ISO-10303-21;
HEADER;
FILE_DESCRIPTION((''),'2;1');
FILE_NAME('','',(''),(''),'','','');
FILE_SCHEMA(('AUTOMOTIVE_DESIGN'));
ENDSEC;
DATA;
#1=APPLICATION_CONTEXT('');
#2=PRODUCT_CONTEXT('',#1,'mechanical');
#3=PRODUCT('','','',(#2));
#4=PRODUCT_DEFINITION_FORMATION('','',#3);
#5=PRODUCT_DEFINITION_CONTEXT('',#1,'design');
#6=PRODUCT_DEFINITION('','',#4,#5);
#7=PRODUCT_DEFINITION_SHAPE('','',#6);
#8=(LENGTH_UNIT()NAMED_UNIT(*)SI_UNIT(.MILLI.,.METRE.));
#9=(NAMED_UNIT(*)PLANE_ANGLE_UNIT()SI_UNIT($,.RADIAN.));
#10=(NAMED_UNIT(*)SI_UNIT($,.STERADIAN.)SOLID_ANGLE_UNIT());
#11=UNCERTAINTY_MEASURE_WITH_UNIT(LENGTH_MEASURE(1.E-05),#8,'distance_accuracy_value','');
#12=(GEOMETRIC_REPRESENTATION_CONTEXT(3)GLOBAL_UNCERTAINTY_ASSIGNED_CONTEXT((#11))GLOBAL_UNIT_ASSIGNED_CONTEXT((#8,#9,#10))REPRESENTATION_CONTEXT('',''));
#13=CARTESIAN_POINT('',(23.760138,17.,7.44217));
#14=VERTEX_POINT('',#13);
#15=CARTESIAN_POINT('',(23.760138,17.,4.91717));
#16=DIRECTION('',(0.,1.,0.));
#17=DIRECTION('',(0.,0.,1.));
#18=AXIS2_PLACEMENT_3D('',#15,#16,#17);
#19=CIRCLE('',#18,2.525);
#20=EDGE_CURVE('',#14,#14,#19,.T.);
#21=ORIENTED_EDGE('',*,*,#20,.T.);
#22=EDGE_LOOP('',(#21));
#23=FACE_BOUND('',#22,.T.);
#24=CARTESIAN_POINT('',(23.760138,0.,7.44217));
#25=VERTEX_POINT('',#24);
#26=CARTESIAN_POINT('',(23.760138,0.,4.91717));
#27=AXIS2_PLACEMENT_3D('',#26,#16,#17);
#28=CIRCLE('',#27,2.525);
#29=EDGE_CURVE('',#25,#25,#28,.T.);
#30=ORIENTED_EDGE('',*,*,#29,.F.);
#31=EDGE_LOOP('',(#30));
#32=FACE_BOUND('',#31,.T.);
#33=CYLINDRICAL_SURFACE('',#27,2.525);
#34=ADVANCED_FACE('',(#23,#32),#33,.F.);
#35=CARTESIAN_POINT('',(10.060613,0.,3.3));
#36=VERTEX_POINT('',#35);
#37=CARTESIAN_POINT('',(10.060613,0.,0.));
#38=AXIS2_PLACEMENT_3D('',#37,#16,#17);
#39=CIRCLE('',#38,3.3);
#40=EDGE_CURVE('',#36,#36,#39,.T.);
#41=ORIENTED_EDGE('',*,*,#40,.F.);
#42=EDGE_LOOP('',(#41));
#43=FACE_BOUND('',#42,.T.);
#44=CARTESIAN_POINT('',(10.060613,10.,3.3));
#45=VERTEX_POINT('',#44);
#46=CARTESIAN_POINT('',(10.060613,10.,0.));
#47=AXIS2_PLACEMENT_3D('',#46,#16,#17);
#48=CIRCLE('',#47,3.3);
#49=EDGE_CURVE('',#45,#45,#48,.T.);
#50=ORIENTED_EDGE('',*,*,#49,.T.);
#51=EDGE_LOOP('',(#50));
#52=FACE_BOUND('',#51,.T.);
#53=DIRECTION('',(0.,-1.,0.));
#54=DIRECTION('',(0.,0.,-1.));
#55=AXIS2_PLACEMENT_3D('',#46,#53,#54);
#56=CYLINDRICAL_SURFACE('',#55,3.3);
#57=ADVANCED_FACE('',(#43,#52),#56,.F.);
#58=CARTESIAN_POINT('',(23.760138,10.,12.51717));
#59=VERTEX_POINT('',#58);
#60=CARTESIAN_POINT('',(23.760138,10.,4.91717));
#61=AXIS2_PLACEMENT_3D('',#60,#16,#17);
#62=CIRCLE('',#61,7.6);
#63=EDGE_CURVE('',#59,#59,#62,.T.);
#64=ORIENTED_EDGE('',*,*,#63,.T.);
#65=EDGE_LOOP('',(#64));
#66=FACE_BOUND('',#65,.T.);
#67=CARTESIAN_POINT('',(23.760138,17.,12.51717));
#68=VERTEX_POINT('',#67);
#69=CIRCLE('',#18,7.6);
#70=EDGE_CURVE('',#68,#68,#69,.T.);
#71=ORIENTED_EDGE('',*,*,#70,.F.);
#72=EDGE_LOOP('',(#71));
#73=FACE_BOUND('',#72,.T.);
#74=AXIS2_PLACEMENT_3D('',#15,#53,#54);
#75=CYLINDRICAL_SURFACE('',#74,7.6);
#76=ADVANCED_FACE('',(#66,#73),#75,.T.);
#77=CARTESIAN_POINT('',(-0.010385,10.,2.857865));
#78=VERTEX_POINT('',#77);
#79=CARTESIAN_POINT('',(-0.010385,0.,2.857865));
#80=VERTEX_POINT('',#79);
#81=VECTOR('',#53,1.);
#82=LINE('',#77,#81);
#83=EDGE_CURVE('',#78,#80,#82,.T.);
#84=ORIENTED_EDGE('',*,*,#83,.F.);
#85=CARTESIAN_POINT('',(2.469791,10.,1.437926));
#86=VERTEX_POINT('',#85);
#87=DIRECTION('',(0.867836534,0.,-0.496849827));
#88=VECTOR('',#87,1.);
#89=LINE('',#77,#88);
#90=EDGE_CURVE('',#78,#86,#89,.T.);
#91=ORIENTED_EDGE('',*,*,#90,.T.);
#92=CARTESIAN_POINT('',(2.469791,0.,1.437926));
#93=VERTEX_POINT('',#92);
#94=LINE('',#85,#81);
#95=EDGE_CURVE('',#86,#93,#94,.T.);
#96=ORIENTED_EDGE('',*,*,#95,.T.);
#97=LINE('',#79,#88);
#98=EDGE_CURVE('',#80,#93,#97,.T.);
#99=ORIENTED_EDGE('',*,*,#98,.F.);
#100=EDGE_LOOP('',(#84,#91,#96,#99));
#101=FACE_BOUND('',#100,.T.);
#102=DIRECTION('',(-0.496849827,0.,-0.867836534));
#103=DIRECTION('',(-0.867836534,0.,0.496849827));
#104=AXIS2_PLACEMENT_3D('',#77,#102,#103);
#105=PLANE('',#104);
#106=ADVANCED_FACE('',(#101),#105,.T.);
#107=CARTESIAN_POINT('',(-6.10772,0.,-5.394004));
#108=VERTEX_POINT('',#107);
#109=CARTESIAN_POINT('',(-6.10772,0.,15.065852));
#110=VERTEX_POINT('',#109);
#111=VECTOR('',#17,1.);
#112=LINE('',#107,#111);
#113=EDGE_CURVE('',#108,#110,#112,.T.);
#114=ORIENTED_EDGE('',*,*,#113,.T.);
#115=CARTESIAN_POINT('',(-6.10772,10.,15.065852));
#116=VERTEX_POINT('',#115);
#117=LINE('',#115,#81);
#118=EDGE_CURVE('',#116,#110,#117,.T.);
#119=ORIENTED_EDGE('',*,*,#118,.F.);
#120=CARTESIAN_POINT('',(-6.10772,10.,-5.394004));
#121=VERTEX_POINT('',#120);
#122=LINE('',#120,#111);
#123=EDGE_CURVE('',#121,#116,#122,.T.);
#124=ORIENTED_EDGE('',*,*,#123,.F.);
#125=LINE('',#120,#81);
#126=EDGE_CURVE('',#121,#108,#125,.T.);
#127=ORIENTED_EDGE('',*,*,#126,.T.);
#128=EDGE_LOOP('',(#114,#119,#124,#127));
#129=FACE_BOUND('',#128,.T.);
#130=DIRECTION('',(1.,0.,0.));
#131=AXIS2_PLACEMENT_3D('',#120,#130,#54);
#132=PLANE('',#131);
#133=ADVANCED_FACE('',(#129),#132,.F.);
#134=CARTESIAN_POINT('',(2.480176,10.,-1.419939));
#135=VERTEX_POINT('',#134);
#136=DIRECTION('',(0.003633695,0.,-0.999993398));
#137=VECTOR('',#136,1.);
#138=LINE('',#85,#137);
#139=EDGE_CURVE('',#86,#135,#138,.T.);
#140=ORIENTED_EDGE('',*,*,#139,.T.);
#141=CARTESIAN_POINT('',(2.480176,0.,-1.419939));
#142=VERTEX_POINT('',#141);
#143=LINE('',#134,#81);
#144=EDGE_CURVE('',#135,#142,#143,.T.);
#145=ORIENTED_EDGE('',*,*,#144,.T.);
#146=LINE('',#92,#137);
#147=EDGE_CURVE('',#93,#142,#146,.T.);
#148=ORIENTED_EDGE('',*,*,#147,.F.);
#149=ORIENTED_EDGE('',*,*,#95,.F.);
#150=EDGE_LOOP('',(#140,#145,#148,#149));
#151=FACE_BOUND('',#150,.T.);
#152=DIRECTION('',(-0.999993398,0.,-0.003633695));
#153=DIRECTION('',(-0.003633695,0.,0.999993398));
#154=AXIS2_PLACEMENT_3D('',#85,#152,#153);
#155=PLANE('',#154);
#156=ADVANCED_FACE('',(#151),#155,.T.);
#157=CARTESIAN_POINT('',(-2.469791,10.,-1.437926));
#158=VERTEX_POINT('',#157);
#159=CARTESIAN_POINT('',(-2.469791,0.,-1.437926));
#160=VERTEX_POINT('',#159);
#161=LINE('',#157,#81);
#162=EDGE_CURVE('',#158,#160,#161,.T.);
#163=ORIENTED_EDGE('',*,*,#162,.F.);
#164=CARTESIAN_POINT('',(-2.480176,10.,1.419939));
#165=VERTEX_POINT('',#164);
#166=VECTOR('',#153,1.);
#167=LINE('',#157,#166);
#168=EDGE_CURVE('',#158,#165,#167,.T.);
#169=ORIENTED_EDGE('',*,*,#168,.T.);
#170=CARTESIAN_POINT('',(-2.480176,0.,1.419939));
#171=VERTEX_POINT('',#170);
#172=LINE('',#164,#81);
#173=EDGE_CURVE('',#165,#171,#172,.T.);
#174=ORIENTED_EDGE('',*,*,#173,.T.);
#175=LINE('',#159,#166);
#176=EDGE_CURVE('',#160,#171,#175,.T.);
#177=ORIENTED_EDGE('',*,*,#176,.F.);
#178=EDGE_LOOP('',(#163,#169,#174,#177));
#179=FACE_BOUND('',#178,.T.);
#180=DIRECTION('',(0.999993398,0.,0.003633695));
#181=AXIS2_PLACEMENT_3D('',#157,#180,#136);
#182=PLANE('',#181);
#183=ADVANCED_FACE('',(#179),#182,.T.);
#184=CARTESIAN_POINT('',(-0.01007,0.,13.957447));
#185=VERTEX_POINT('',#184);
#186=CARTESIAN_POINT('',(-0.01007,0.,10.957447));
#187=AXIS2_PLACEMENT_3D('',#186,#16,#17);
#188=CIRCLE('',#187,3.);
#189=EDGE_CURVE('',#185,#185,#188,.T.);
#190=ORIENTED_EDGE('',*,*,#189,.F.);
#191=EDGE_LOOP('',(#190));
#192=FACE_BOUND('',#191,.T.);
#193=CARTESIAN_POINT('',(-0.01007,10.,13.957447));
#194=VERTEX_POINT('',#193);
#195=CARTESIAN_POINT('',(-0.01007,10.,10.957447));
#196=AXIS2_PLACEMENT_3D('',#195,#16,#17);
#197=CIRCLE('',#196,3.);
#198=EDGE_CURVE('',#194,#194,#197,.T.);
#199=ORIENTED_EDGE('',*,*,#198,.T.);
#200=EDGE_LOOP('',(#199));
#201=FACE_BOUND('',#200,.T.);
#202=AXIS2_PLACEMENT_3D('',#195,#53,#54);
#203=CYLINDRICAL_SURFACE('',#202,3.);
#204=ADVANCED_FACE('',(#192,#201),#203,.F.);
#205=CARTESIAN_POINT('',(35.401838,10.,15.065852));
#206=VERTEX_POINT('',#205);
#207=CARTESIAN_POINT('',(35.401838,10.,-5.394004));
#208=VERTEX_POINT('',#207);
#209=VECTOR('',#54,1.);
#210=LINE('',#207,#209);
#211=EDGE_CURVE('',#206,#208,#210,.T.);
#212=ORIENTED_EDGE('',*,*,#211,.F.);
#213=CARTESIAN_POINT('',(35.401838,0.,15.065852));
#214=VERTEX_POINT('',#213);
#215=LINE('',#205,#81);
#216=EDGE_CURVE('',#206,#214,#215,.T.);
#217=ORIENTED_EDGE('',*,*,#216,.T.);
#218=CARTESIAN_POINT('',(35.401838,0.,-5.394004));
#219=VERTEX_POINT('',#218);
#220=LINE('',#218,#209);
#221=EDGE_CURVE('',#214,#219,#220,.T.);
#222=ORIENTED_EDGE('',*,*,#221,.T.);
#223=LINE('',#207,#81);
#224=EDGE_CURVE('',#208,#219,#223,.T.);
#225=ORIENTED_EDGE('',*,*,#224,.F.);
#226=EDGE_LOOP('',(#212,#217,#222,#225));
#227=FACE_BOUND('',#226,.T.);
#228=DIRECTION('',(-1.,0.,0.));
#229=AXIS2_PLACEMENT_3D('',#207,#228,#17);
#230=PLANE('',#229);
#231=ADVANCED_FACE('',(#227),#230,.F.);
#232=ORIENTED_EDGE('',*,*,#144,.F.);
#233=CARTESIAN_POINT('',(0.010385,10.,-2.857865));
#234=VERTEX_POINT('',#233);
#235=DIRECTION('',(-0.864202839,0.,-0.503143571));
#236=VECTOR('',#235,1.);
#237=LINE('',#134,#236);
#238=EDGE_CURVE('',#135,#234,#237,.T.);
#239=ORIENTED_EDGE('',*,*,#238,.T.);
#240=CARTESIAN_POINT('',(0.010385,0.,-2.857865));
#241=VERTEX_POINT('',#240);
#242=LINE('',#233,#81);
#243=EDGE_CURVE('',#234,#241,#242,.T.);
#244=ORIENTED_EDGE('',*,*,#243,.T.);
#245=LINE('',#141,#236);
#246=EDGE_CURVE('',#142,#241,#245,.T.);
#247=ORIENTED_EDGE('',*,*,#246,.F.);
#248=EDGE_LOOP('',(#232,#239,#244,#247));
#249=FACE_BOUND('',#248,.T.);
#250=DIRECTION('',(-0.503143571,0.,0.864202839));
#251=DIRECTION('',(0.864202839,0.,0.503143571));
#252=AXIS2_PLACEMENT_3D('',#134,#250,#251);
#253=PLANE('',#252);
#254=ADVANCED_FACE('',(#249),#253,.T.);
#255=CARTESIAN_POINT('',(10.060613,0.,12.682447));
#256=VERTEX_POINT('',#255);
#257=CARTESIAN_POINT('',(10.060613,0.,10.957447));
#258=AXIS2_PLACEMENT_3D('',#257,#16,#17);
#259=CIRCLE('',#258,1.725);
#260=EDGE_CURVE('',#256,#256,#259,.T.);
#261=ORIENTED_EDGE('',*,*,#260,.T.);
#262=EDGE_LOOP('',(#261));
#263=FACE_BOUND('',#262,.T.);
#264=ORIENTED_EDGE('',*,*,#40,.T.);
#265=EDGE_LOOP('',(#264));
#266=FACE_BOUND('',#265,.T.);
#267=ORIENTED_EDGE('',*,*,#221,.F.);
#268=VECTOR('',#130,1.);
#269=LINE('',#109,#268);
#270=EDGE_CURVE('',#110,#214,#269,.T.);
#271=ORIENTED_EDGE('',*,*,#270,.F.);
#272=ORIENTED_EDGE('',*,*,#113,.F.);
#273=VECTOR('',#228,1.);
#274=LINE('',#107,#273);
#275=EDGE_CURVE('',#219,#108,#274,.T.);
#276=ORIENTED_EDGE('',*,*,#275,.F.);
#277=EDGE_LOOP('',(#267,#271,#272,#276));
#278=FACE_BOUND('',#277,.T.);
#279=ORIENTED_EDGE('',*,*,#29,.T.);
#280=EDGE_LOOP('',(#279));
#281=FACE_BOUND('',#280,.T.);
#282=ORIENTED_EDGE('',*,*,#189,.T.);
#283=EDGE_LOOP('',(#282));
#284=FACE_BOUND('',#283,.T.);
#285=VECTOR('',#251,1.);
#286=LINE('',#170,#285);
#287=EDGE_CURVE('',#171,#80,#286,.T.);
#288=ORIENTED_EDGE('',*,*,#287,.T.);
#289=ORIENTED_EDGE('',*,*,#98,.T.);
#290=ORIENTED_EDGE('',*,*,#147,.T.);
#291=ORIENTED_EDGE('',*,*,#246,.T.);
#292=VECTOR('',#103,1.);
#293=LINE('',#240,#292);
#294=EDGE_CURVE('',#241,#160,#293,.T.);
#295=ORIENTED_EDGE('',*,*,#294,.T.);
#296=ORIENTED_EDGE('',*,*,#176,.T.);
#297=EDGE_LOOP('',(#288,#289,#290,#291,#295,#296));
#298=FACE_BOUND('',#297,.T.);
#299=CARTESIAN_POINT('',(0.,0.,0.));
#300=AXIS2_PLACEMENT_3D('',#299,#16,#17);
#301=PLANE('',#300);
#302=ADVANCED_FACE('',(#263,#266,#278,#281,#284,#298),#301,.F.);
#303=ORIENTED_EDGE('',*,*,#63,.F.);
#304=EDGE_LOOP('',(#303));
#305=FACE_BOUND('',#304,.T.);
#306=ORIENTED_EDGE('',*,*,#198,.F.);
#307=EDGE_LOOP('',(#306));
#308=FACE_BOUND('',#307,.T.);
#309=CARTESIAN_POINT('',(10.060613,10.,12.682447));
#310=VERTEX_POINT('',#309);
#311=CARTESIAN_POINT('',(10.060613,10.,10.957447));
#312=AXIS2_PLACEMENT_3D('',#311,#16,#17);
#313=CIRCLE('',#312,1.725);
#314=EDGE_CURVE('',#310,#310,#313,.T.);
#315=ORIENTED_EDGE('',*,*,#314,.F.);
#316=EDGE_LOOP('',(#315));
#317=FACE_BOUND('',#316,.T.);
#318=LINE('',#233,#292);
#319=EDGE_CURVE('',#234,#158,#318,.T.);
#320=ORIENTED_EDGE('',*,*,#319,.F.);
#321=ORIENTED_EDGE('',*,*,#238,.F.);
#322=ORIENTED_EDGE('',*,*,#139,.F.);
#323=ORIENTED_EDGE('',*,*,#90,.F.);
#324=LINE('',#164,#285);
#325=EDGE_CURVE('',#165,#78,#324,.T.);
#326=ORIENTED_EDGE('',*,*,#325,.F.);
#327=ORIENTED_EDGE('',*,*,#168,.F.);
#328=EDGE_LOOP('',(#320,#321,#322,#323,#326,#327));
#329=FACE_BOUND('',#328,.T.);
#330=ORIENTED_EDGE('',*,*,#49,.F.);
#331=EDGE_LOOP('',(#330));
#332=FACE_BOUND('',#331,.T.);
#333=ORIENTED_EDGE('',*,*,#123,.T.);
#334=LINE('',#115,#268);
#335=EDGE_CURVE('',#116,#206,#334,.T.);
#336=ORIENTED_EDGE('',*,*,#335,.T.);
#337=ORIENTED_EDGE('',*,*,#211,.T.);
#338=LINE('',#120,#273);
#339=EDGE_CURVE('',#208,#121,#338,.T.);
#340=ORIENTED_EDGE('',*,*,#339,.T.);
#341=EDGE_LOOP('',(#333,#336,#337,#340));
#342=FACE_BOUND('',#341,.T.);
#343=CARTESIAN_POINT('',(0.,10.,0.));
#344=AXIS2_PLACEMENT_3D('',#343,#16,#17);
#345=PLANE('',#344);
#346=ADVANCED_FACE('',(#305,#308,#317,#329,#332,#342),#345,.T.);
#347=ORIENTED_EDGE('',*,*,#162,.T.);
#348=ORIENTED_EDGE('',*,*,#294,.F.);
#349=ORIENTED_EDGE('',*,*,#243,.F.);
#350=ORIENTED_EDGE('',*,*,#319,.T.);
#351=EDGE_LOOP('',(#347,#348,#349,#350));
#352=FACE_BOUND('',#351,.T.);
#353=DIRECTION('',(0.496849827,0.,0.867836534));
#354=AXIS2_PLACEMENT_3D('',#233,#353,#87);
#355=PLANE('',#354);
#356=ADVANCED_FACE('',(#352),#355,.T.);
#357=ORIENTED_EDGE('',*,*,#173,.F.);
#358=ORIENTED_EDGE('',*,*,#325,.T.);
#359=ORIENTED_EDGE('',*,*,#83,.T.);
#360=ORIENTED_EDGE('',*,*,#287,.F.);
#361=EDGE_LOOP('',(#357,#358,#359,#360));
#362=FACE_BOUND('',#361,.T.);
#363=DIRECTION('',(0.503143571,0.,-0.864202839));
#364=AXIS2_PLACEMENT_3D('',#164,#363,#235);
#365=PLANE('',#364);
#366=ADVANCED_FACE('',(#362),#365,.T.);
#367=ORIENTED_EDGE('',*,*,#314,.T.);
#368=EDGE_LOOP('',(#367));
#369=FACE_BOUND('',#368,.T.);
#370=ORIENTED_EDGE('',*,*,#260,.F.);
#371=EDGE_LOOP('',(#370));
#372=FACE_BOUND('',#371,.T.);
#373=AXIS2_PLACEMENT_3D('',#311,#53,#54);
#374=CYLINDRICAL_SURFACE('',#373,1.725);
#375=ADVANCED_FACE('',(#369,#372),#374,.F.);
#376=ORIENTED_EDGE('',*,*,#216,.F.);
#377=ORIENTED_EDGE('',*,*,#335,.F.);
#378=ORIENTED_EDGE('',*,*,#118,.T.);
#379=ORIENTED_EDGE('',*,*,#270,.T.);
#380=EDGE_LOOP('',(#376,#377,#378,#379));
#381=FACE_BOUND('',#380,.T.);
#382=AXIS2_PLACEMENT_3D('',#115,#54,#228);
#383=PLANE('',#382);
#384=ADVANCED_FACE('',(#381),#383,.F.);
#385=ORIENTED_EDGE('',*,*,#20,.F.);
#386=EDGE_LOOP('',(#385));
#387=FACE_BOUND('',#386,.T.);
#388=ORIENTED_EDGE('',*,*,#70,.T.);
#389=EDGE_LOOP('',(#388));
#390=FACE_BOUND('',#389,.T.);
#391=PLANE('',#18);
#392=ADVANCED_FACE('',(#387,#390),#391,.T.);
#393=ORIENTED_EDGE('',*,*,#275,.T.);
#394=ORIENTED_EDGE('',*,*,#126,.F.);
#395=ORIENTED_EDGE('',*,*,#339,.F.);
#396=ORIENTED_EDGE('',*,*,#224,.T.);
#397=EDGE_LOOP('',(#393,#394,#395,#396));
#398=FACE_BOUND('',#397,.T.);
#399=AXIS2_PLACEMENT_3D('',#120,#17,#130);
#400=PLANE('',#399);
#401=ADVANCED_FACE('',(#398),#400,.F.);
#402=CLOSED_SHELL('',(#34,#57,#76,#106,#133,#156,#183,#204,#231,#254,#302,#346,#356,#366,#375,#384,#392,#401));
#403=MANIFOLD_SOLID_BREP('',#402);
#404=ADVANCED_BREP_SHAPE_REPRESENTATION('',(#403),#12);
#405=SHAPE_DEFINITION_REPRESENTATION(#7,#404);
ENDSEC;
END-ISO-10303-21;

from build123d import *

# Parameters (mm, degrees)
SKETCH1_W           = 41.509557428
SKETCH1_H           = 20.45985577
SKETCH1_R           = 3
SKETCH1_R_2         = 3.3
SKETCH1_R_3         = 1.725
BOSS_EXTRUDE1_DEPTH = 10
SKETCH2_R           = 7.6
BOSS_EXTRUDE2_DEPTH = 7
SKETCH3_R           = 2.525
CUT_EXTRUDE1_DEPTH  = 43.062691409


with BuildPart() as part:
    # Sketch1 → Boss-Extrude1 (new body)
    with BuildSketch(Plane(origin=(0, 0, 0), x_dir=(1, 0, 0), z_dir=(0, 1, 0))):
        with Locations((14.647059063, -4.835923918)):
            Rectangle(SKETCH1_W, SKETCH1_H)
        with Locations(Location((-0.01006999, -10.957446633, 0), (0, 0, 270))):
            Circle(SKETCH1_R, mode=Mode.SUBTRACT)
        with Locations(Location((10.060612969, 0, 0), (0, 0, 270))):
            Circle(SKETCH1_R_2, mode=Mode.SUBTRACT)
        with Locations(Location((10.060612969, -10.957446633, 0), (0, 0, 270))):
            Circle(SKETCH1_R_3, mode=Mode.SUBTRACT)
        Polygon((2.480175999, 1.419939088), (0.010384677, 2.857864965), (-2.469791322, 1.437925877), (-2.480175999, -1.419939088), (-0.010384677, -2.857864965), (2.469791322, -1.437925877), align=None, mode=Mode.SUBTRACT)
    extrude(amount=BOSS_EXTRUDE1_DEPTH)

    # Sketch2 → Boss-Extrude2 (add)
    with BuildSketch(Plane(origin=(0, 10, 0), x_dir=(1, 0, 0), z_dir=(0, 1, 0))):
        with Locations(Location((23.760138251, -4.917169795, 0), (0, 0, 270))):
            Circle(SKETCH2_R)
    extrude(amount=BOSS_EXTRUDE2_DEPTH)

    # Sketch3 → Cut-Extrude1 (cut, through all)
    with BuildSketch(Plane(origin=(0, 17, 0), x_dir=(1, 0, 0), z_dir=(0, 1, 0))):
        with Locations(Location((23.760138251, -4.917169795, 0), (0, 0, 270))):
            Circle(SKETCH3_R)
    extrude(amount=-CUT_EXTRUDE1_DEPTH, mode=Mode.SUBTRACT)


solid = part.part
